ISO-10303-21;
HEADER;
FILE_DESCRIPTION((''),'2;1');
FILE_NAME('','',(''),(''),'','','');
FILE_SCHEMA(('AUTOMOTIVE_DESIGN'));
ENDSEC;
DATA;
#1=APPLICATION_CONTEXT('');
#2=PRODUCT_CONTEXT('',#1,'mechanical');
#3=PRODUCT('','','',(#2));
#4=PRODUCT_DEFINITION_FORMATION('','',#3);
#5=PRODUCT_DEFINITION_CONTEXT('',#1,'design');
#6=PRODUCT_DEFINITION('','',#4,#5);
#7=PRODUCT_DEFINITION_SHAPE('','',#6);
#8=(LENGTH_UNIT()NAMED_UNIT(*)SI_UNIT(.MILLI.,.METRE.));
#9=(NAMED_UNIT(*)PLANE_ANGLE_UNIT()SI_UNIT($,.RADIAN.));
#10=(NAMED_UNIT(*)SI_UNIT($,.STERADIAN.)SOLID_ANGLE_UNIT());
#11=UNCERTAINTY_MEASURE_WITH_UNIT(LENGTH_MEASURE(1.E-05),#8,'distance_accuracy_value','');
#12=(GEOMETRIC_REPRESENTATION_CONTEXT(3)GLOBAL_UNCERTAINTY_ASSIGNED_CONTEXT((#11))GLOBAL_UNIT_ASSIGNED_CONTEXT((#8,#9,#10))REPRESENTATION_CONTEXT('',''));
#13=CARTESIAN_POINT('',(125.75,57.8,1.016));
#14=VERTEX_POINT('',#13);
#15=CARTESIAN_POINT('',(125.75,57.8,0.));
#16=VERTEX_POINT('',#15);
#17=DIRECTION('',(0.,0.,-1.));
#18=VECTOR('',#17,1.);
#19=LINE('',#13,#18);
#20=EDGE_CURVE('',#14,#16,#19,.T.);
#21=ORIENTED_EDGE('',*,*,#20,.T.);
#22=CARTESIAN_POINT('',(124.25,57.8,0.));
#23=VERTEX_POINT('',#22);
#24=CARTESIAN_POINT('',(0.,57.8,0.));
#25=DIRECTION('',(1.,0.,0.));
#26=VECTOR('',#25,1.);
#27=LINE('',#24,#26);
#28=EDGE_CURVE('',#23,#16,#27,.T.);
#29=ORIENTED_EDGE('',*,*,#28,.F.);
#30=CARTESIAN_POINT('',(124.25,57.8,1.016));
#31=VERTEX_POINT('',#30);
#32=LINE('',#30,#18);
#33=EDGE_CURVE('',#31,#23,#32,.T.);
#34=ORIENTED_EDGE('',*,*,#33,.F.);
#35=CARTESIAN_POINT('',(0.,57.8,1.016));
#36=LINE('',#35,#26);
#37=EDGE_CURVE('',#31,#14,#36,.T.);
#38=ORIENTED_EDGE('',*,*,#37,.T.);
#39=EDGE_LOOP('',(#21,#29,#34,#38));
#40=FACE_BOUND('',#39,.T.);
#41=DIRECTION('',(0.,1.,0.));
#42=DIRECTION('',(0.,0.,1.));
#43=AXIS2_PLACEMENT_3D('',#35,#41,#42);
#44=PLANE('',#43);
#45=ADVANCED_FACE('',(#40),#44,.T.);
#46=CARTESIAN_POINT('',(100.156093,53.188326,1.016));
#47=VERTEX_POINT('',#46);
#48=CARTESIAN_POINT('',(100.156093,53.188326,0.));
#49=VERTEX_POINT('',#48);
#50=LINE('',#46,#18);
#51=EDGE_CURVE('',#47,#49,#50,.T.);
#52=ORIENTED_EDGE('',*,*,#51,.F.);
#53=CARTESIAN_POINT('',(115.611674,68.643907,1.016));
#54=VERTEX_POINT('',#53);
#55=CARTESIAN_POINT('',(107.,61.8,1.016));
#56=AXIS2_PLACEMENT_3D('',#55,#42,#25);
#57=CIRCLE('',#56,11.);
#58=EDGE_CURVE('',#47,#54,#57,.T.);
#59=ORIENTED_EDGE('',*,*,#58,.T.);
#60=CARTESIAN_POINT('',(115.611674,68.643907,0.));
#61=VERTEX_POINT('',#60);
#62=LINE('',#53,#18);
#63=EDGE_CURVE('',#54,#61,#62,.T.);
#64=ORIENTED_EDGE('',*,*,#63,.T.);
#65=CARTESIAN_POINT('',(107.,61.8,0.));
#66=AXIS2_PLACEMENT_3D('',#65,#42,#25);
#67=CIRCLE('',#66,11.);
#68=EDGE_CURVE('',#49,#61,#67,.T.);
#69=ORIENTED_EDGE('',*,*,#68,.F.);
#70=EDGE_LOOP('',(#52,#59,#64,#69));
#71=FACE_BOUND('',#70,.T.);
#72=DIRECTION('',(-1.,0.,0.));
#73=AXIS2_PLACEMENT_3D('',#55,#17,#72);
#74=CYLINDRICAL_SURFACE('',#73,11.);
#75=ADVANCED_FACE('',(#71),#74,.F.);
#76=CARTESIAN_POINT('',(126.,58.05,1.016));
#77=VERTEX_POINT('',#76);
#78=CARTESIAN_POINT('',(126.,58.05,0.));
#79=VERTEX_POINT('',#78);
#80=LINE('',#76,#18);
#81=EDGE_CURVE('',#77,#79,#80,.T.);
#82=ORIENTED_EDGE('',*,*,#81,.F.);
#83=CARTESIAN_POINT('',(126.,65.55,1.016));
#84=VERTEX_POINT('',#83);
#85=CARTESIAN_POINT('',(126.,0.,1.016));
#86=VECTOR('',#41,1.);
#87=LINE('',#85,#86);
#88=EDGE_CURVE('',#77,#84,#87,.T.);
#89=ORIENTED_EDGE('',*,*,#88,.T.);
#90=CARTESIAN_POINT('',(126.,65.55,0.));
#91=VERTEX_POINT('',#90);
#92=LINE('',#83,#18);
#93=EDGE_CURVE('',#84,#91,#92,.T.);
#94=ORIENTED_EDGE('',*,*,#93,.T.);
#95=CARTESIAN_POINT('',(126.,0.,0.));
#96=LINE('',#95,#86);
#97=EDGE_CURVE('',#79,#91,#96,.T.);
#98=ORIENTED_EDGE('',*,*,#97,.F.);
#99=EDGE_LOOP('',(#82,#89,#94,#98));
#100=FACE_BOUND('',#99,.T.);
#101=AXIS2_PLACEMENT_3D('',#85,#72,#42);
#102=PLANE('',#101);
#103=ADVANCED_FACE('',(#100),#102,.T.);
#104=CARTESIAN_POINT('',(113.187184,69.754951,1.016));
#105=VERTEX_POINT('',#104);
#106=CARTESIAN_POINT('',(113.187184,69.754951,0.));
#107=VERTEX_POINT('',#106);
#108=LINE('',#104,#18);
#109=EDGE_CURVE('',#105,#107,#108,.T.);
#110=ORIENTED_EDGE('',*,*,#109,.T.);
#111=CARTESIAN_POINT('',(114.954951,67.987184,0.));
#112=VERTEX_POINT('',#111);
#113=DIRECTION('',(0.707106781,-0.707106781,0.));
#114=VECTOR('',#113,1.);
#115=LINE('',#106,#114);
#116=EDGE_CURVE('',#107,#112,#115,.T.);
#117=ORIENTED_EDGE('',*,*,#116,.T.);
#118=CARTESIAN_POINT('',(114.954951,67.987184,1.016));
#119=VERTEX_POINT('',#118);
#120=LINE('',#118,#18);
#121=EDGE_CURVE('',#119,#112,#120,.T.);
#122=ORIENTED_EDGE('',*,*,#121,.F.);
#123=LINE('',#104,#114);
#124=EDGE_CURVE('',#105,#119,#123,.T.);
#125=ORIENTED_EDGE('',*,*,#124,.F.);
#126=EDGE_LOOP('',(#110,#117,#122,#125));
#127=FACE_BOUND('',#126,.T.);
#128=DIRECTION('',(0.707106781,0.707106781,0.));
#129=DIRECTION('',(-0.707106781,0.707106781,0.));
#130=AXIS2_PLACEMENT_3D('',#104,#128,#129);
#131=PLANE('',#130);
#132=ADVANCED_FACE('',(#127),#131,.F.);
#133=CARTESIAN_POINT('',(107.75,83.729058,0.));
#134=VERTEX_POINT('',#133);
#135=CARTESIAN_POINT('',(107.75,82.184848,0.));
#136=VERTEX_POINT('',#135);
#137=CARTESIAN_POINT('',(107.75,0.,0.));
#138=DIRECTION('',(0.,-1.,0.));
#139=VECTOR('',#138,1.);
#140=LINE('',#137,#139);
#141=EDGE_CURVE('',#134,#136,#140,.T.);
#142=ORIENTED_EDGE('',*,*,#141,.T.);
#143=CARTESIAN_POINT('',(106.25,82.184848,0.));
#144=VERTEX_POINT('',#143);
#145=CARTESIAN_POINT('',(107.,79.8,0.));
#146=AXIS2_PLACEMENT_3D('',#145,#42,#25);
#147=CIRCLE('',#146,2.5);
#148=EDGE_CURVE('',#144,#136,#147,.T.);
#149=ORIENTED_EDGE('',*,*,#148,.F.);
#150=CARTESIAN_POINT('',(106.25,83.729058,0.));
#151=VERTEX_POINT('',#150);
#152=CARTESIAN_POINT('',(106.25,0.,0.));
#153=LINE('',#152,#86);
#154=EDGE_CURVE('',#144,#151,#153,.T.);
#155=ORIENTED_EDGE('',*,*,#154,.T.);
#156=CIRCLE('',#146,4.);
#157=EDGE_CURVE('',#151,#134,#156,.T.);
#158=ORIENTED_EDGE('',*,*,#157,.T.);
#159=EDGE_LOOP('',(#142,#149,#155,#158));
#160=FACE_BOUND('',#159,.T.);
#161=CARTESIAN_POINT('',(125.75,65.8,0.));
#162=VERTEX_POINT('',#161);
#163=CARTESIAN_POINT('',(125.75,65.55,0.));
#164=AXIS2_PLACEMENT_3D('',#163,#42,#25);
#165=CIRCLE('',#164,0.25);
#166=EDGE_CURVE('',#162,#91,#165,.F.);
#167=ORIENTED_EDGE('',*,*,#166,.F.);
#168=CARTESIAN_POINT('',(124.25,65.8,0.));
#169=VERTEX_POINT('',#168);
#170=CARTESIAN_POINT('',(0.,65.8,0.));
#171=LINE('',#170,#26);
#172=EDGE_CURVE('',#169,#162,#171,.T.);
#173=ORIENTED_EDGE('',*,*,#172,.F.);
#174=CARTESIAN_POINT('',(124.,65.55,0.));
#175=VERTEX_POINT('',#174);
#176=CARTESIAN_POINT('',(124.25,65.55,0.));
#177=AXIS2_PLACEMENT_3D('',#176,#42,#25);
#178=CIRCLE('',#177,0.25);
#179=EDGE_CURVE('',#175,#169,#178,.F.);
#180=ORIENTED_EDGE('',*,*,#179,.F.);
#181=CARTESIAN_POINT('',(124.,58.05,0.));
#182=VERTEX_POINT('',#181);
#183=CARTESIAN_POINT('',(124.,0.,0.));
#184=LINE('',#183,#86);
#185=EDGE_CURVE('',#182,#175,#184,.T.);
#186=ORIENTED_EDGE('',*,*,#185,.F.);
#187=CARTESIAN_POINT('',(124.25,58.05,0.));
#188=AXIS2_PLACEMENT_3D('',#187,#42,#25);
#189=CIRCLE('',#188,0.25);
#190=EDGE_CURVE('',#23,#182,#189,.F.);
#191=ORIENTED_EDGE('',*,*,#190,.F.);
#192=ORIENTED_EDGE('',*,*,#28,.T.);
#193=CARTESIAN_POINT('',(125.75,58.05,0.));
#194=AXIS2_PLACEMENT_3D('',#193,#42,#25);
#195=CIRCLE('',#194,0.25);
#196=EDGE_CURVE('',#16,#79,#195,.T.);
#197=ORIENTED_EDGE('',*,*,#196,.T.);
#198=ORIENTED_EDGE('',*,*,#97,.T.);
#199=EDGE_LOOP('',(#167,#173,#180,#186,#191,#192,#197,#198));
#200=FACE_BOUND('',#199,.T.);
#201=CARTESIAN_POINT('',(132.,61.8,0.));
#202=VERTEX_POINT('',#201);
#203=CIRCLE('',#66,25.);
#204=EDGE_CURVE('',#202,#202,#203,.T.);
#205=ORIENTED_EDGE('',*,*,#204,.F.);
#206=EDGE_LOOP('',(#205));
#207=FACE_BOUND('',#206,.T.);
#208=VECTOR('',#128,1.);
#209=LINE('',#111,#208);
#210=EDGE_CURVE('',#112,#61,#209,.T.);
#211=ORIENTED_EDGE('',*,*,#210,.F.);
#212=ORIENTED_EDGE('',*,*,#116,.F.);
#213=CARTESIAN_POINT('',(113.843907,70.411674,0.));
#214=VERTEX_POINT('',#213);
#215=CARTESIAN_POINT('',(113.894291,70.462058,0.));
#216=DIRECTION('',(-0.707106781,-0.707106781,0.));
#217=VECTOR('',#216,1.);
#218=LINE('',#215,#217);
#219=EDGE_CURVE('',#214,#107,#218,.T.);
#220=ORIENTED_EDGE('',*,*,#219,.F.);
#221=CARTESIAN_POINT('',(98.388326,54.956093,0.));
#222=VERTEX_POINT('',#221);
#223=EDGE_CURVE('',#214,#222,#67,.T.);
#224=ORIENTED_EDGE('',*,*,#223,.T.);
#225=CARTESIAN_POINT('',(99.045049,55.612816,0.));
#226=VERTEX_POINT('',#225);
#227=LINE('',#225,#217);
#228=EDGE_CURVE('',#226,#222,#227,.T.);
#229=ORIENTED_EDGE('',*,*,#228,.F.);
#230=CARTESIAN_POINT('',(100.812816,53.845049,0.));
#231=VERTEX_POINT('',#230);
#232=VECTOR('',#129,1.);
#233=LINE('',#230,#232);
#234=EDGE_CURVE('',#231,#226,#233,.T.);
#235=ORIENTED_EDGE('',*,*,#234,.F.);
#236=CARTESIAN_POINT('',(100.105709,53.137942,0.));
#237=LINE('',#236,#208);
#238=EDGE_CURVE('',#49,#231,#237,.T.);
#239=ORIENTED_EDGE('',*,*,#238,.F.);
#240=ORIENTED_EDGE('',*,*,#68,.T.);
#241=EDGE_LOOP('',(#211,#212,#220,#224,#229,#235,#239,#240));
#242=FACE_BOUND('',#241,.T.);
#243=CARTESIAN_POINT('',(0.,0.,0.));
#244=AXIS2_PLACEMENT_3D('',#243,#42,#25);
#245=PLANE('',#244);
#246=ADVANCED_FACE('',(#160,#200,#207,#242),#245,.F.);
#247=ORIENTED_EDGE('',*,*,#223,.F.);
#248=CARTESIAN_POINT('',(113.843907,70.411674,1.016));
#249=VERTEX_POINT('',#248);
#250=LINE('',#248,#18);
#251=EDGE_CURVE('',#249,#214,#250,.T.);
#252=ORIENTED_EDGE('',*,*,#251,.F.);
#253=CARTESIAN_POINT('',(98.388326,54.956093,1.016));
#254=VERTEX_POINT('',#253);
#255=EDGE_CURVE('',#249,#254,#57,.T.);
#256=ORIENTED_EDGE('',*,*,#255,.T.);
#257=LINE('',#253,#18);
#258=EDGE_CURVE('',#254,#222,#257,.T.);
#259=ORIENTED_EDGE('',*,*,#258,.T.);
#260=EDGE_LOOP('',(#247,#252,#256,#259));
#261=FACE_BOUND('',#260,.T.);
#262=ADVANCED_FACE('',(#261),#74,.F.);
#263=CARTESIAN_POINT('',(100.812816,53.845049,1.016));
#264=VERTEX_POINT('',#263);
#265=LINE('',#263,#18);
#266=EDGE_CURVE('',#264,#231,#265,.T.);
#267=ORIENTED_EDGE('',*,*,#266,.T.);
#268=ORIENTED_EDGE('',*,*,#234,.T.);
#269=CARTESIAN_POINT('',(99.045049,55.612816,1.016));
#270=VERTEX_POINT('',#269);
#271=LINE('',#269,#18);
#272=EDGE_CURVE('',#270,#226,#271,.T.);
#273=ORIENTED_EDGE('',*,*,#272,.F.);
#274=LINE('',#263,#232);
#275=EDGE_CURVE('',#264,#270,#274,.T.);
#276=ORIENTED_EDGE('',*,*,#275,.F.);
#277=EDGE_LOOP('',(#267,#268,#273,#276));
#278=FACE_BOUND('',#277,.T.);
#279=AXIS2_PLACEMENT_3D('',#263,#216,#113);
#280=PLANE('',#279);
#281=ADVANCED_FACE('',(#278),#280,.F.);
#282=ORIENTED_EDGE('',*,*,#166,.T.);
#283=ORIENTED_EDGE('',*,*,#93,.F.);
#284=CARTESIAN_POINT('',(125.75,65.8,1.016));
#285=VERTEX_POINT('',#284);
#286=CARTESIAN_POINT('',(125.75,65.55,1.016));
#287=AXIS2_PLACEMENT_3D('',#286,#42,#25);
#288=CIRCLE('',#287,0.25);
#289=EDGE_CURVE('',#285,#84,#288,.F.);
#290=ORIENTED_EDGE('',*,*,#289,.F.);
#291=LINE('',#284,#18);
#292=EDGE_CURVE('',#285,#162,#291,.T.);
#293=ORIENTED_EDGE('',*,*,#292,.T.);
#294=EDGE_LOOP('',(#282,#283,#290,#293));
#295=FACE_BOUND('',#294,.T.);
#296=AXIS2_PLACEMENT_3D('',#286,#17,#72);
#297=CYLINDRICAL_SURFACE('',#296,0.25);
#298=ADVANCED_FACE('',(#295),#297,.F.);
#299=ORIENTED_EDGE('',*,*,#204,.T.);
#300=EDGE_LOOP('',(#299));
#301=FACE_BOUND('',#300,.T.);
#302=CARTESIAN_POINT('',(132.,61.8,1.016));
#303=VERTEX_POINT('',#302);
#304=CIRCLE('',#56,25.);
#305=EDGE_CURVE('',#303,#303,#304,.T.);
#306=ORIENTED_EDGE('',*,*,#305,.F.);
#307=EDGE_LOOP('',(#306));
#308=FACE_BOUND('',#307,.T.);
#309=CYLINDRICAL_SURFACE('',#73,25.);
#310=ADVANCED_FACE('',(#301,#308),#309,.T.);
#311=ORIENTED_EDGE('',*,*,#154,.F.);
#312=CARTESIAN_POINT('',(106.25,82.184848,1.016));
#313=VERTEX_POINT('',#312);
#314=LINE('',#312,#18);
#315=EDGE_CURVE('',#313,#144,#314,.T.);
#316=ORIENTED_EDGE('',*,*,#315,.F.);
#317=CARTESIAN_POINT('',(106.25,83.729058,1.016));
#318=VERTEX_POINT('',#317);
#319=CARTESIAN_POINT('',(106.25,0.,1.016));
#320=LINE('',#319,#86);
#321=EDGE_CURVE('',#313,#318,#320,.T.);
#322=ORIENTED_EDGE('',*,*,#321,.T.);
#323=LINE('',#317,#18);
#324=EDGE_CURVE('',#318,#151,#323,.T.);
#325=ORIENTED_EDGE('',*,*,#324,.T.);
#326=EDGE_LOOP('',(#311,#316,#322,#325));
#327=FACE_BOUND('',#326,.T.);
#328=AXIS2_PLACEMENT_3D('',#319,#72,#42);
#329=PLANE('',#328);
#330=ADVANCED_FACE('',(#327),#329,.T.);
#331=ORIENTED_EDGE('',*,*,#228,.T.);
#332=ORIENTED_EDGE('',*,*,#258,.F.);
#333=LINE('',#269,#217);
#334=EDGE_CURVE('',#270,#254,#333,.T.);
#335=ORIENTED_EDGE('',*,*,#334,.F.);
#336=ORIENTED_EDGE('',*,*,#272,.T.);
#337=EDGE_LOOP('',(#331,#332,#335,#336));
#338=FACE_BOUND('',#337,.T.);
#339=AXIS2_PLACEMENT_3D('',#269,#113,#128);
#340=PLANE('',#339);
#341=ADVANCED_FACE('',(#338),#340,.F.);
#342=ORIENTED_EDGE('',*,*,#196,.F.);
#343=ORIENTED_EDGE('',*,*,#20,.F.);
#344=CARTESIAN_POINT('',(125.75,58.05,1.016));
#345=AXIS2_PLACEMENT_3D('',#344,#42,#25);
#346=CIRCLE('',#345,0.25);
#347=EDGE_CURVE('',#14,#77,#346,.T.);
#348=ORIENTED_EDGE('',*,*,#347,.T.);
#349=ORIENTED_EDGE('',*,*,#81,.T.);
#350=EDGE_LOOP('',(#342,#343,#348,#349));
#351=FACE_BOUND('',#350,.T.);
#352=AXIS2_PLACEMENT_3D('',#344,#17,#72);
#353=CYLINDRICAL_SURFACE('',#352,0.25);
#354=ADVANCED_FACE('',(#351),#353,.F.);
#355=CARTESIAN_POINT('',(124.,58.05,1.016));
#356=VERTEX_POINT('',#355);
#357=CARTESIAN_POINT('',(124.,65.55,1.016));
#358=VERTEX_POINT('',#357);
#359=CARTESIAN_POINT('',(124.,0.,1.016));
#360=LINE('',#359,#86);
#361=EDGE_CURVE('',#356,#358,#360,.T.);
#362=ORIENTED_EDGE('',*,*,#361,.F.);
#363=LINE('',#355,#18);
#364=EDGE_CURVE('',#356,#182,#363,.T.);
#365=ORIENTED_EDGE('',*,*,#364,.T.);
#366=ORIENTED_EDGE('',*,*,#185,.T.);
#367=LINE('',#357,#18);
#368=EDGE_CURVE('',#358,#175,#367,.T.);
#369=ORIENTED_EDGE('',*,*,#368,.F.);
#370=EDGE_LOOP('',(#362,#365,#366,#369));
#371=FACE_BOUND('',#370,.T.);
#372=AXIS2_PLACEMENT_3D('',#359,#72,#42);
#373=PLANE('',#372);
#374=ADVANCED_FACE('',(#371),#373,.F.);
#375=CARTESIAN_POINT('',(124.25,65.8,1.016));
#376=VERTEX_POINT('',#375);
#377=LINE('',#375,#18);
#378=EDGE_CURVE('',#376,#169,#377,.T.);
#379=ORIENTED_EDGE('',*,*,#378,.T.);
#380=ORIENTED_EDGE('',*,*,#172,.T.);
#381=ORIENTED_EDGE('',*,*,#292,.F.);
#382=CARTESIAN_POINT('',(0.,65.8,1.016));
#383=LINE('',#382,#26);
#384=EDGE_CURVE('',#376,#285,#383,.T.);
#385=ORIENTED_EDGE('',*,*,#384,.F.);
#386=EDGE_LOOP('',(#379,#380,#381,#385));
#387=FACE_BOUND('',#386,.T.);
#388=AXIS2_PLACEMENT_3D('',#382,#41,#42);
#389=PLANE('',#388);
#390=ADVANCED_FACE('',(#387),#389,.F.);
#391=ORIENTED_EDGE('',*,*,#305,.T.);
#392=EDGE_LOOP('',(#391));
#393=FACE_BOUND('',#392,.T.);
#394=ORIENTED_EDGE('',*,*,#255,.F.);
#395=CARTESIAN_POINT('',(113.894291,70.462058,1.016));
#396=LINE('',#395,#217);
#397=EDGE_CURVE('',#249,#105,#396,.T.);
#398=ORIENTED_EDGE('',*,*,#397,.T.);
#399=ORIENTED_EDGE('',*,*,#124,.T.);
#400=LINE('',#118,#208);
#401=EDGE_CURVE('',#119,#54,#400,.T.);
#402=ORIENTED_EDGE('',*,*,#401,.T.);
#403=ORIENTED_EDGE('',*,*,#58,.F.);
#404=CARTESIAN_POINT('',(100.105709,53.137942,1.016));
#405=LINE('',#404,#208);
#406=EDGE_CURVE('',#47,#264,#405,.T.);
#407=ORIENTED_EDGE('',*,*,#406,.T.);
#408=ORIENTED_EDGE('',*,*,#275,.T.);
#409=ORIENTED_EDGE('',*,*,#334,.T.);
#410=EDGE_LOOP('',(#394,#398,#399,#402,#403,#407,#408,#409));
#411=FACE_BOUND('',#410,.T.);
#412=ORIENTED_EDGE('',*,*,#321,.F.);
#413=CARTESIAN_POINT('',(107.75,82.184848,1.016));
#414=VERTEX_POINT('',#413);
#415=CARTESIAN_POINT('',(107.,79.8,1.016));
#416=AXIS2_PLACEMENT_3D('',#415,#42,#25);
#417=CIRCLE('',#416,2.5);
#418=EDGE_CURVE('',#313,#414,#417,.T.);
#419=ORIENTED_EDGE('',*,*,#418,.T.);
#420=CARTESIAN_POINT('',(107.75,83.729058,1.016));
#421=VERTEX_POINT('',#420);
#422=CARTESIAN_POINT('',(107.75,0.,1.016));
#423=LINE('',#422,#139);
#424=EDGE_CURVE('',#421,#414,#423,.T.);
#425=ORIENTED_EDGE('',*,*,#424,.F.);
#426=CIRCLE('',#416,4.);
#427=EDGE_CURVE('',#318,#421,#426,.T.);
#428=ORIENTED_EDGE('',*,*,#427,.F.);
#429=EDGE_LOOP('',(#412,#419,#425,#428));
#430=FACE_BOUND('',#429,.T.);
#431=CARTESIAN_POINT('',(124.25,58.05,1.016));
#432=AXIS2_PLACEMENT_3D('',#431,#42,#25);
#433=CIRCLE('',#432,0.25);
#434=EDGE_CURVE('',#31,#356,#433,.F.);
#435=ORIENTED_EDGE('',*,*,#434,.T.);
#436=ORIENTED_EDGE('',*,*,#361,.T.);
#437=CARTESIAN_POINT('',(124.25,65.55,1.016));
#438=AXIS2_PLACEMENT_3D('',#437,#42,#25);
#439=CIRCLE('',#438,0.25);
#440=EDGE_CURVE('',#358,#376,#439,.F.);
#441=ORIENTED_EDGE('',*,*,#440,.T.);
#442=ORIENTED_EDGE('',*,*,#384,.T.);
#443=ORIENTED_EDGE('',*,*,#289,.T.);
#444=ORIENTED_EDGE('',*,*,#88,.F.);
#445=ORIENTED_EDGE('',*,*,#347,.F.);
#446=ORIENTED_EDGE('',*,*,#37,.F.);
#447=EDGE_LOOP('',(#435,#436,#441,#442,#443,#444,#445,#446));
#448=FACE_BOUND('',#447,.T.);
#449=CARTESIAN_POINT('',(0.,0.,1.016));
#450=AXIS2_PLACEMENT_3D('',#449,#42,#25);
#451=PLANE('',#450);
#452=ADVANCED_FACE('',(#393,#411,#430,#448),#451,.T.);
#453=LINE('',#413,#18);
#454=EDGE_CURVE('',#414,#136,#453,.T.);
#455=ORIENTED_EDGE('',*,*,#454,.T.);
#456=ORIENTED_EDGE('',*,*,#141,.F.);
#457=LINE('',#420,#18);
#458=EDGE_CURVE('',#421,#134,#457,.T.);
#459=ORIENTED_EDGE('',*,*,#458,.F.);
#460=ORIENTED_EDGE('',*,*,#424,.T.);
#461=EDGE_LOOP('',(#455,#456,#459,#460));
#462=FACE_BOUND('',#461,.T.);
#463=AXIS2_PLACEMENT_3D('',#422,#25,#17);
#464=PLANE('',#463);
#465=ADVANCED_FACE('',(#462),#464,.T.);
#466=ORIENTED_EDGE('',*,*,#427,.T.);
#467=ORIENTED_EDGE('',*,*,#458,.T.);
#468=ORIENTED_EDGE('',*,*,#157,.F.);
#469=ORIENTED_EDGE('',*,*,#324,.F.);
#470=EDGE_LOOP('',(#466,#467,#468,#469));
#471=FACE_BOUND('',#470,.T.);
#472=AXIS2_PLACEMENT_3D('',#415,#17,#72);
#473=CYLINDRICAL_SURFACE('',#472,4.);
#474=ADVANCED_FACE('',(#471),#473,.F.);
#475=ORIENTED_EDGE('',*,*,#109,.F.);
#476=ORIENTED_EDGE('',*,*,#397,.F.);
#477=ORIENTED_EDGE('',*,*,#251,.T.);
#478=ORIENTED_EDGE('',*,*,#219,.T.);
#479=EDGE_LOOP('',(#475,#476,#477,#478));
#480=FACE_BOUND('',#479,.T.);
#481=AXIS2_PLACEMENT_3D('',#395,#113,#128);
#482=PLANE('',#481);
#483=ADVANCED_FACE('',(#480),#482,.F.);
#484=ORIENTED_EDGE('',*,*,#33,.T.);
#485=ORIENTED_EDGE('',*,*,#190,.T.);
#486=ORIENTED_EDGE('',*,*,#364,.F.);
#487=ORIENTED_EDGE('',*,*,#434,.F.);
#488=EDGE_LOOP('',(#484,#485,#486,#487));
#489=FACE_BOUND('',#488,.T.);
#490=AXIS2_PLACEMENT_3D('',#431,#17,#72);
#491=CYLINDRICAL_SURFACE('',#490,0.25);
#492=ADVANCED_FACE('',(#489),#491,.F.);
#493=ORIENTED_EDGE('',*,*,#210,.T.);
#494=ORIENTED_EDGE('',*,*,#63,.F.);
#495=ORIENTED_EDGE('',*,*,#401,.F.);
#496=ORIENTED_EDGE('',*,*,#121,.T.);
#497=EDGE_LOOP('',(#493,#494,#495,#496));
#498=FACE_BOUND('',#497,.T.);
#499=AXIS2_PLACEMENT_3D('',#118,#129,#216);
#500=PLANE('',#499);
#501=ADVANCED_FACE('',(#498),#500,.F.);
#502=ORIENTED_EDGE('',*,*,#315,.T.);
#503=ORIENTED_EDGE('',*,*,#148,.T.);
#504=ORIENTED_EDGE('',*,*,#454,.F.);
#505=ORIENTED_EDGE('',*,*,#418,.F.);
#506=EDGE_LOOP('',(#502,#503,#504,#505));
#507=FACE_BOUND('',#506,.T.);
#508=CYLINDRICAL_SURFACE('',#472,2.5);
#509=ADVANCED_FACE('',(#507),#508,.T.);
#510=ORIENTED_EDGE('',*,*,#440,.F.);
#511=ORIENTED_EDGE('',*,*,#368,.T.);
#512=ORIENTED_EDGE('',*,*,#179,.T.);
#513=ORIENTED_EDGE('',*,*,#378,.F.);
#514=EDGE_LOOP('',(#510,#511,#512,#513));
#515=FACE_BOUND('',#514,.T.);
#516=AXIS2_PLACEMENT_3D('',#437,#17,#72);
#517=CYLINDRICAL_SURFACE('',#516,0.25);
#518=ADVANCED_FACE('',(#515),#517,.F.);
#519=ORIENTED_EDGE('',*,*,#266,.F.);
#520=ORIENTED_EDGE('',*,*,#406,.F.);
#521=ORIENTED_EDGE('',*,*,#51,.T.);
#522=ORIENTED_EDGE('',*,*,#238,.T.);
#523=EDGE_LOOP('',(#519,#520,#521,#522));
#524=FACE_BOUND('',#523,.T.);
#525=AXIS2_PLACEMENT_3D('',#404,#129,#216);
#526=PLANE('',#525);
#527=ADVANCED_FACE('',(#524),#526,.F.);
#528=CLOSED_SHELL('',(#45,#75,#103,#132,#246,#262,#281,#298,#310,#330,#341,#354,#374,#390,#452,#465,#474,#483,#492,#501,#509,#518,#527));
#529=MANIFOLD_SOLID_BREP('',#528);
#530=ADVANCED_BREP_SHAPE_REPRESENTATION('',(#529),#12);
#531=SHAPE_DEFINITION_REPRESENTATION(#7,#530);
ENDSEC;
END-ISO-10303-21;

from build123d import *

# Parameters (mm, degrees)
SKETCH1_R           = 25
BOSS_EXTRUDE1_DEPTH = 1.016
CUT_EXTRUDE1_DEPTH  = 158.985038077


with BuildPart() as part:
    # Sketch1 → Boss-Extrude1 (new body)
    with BuildSketch(Plane.XY):
        with Locations((107.000000001, 61.8)):
            Circle(SKETCH1_R)
        with BuildLine():
            Line((113.843907282, 70.411674235), (113.187184336, 69.754951288))
            Line((113.187184336, 69.754951288), (114.954951289, 67.987184335))
            Line((114.954951289, 67.987184335), (115.611674235, 68.643907282))
            ThreePointArc((115.611674235, 68.643907282), (114.778174594, 54.021825407), (100.156092719, 53.188325765))
            Line((100.156092719, 53.188325765), (100.812815665, 53.845048712))
            Line((100.812815665, 53.845048712), (99.045048712, 55.612815665))
            Line((99.045048712, 55.612815665), (98.388325766, 54.956092718))
            ThreePointArc((98.388325766, 54.956092718), (99.221825408, 69.578174593), (113.843907282, 70.411674235))
        make_face(mode=Mode.SUBTRACT)
    extrude(amount=BOSS_EXTRUDE1_DEPTH)

    # Sketch2 → Cut-Extrude1 (cut, through all)
    with BuildSketch(Plane.XY):
        with BuildLine():
            ThreePointArc((106.250000001, 82.184848004), (107.000000001, 77.3), (107.750000001, 82.184848004))
            Line((107.750000001, 82.184848004), (107.750000001, 83.729058411))
            ThreePointArc((107.750000001, 83.729058411), (107.000000001, 75.8), (106.250000001, 83.729058411))
            Line((106.250000001, 83.729058411), (106.250000001, 82.184848004))
        make_face()
        with BuildLine():
            ThreePointArc((124.000000001, 65.55), (124.073223305, 65.726776695), (124.250000001, 65.8))
            Line((124.250000001, 65.8), (125.750000001, 65.8))
            ThreePointArc((125.750000001, 65.8), (125.926776696, 65.726776695), (126.000000001, 65.55))
            Line((126.000000001, 65.55), (126.000000001, 58.05))
            ThreePointArc((126.000000001, 58.05), (125.926776696, 57.873223305), (125.750000001, 57.8))
            Line((125.750000001, 57.8), (124.250000001, 57.8))
            ThreePointArc((124.250000001, 57.8), (124.073223305, 57.873223305), (124.000000001, 58.05))
            Line((124.000000001, 58.05), (124.000000001, 65.55))
        make_face()
    extrude(amount=CUT_EXTRUDE1_DEPTH, mode=Mode.SUBTRACT)


solid = part.part
